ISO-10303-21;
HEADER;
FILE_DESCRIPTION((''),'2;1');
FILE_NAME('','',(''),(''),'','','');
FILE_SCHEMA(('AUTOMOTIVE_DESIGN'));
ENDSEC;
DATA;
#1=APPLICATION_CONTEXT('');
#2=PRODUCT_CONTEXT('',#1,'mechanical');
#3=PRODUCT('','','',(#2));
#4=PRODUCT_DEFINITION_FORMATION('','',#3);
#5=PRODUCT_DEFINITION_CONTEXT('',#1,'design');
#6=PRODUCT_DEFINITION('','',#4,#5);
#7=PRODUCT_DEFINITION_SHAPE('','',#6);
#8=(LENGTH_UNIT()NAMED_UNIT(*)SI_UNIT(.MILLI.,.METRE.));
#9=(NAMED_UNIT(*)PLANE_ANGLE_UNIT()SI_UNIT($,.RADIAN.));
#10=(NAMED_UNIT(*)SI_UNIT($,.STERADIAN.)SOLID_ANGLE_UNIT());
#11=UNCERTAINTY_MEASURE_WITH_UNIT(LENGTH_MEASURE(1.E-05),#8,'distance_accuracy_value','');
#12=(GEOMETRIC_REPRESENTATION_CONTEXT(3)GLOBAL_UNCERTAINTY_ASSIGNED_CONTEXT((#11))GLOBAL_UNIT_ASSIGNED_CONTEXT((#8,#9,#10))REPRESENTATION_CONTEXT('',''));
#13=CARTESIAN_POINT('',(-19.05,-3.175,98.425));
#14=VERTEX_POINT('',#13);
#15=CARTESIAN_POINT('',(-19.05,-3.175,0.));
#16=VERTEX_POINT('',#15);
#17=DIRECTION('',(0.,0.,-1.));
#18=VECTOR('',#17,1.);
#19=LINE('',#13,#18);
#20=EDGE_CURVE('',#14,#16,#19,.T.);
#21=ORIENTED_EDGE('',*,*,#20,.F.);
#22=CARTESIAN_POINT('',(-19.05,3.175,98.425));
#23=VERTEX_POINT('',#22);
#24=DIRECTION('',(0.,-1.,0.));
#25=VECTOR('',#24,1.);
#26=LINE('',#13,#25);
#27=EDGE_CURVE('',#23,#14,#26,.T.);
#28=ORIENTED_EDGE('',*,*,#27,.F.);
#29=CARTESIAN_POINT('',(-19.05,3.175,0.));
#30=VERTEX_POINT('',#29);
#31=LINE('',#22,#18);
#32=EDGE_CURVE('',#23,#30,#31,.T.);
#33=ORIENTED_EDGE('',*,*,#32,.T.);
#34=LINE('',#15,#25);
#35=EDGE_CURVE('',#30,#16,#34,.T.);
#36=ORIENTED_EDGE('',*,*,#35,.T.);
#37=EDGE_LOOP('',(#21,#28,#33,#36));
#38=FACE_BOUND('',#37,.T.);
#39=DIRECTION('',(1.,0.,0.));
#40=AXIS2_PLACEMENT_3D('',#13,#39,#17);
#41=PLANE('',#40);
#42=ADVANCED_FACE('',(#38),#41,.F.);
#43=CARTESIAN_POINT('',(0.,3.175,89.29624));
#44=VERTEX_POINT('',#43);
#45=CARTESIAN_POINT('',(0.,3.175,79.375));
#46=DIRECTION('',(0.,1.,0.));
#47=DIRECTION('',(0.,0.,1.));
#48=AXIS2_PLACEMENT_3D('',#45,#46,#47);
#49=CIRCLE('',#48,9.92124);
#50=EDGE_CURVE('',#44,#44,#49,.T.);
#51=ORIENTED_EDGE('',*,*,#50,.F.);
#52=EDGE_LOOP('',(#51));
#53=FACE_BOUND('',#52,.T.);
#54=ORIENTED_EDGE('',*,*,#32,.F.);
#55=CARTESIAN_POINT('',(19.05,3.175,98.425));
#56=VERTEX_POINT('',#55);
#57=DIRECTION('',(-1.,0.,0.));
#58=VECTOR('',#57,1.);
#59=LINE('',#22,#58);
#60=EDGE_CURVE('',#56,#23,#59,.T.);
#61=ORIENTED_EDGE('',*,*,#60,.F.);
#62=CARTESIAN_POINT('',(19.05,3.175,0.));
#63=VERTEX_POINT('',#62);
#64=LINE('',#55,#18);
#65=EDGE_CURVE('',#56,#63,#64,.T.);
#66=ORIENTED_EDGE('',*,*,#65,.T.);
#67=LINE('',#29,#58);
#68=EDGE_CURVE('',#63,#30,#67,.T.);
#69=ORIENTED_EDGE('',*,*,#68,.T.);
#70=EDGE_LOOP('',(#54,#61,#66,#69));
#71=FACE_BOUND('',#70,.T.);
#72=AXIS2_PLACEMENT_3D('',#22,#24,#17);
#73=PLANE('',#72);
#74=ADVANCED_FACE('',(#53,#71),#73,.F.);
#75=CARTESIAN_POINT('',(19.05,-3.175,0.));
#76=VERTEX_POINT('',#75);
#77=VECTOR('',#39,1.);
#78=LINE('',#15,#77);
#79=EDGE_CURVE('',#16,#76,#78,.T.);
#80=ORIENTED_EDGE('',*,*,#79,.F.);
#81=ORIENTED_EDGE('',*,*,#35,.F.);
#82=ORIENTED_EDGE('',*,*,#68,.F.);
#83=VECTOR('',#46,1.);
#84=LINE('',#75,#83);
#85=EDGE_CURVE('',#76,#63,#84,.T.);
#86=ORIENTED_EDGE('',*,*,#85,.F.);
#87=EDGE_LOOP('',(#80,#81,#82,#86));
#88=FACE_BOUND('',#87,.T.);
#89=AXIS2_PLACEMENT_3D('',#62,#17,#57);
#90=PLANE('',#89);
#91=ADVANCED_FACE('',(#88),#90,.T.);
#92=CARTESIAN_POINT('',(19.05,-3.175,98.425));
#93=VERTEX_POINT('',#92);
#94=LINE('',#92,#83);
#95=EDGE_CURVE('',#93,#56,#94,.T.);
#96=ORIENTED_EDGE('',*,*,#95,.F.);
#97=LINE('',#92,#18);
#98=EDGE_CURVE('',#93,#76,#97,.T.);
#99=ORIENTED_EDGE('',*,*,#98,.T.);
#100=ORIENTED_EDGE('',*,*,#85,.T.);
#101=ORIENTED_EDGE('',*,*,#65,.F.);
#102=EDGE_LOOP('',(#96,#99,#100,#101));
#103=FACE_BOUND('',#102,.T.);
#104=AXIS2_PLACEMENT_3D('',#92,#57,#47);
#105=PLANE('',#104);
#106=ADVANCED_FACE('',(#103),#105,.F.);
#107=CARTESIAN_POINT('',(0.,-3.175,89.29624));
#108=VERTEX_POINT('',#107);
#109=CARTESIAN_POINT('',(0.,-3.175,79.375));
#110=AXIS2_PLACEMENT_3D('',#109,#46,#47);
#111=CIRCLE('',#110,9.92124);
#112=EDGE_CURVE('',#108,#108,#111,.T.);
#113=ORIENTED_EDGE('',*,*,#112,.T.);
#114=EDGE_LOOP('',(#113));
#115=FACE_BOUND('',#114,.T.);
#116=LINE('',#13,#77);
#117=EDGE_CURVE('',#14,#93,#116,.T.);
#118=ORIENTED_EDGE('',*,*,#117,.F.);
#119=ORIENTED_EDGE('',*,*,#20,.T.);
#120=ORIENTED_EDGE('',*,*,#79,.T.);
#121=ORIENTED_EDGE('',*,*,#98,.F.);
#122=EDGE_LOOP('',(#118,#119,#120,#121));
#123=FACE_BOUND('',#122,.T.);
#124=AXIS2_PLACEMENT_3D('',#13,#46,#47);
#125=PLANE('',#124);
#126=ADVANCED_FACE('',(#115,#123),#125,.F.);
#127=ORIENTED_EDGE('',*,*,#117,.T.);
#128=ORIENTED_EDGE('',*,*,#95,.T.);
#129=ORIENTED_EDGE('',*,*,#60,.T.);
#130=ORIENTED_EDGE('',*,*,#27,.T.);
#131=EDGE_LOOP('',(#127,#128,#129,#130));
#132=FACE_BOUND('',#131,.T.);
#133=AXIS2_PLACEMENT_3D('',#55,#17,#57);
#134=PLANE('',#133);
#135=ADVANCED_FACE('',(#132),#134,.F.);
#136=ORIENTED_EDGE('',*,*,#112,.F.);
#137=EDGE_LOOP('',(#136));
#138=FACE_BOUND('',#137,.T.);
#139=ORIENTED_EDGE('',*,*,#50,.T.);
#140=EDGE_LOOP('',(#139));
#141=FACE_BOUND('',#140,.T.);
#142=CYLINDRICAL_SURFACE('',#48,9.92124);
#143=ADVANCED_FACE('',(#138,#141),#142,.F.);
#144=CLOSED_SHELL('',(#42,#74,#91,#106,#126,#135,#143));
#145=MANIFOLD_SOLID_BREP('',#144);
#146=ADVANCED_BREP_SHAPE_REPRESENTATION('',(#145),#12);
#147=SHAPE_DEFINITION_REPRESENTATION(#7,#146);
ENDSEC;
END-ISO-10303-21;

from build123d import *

# Parameters (mm, degrees)
SKETCH1_W                   = 38.1
SKETCH1_H                   = 6.35
EXTRUDE1_DEPTH              = 98.425
F_3_4_CLEARANCE_HOLE1_D     = 19.84248
F_3_4_CLEARANCE_HOLE1_DEPTH = 16.002
F_3_4_CLEARANCE_HOLE1_TIP   = 5.961282408


with BuildPart() as part:
    # Sketch1 → Extrude1 (new body)
    with BuildSketch(Plane.XY):
        Rectangle(SKETCH1_W, SKETCH1_H)
    extrude(amount=EXTRUDE1_DEPTH)

    # 3/4 Clearance Hole1
    with Locations(Plane(origin=(0, 3.175, 79.375), x_dir=(0, 0, 1), z_dir=(0, 1, 0))):
        with Locations((0, 0)):
            Hole(F_3_4_CLEARANCE_HOLE1_D / 2, depth=F_3_4_CLEARANCE_HOLE1_DEPTH)
            with Locations((0, 0, -(F_3_4_CLEARANCE_HOLE1_DEPTH + F_3_4_CLEARANCE_HOLE1_TIP / 2))):  # 118° drill point
                Cone(0, F_3_4_CLEARANCE_HOLE1_D / 2, F_3_4_CLEARANCE_HOLE1_TIP, mode=Mode.SUBTRACT)


solid = part.part
